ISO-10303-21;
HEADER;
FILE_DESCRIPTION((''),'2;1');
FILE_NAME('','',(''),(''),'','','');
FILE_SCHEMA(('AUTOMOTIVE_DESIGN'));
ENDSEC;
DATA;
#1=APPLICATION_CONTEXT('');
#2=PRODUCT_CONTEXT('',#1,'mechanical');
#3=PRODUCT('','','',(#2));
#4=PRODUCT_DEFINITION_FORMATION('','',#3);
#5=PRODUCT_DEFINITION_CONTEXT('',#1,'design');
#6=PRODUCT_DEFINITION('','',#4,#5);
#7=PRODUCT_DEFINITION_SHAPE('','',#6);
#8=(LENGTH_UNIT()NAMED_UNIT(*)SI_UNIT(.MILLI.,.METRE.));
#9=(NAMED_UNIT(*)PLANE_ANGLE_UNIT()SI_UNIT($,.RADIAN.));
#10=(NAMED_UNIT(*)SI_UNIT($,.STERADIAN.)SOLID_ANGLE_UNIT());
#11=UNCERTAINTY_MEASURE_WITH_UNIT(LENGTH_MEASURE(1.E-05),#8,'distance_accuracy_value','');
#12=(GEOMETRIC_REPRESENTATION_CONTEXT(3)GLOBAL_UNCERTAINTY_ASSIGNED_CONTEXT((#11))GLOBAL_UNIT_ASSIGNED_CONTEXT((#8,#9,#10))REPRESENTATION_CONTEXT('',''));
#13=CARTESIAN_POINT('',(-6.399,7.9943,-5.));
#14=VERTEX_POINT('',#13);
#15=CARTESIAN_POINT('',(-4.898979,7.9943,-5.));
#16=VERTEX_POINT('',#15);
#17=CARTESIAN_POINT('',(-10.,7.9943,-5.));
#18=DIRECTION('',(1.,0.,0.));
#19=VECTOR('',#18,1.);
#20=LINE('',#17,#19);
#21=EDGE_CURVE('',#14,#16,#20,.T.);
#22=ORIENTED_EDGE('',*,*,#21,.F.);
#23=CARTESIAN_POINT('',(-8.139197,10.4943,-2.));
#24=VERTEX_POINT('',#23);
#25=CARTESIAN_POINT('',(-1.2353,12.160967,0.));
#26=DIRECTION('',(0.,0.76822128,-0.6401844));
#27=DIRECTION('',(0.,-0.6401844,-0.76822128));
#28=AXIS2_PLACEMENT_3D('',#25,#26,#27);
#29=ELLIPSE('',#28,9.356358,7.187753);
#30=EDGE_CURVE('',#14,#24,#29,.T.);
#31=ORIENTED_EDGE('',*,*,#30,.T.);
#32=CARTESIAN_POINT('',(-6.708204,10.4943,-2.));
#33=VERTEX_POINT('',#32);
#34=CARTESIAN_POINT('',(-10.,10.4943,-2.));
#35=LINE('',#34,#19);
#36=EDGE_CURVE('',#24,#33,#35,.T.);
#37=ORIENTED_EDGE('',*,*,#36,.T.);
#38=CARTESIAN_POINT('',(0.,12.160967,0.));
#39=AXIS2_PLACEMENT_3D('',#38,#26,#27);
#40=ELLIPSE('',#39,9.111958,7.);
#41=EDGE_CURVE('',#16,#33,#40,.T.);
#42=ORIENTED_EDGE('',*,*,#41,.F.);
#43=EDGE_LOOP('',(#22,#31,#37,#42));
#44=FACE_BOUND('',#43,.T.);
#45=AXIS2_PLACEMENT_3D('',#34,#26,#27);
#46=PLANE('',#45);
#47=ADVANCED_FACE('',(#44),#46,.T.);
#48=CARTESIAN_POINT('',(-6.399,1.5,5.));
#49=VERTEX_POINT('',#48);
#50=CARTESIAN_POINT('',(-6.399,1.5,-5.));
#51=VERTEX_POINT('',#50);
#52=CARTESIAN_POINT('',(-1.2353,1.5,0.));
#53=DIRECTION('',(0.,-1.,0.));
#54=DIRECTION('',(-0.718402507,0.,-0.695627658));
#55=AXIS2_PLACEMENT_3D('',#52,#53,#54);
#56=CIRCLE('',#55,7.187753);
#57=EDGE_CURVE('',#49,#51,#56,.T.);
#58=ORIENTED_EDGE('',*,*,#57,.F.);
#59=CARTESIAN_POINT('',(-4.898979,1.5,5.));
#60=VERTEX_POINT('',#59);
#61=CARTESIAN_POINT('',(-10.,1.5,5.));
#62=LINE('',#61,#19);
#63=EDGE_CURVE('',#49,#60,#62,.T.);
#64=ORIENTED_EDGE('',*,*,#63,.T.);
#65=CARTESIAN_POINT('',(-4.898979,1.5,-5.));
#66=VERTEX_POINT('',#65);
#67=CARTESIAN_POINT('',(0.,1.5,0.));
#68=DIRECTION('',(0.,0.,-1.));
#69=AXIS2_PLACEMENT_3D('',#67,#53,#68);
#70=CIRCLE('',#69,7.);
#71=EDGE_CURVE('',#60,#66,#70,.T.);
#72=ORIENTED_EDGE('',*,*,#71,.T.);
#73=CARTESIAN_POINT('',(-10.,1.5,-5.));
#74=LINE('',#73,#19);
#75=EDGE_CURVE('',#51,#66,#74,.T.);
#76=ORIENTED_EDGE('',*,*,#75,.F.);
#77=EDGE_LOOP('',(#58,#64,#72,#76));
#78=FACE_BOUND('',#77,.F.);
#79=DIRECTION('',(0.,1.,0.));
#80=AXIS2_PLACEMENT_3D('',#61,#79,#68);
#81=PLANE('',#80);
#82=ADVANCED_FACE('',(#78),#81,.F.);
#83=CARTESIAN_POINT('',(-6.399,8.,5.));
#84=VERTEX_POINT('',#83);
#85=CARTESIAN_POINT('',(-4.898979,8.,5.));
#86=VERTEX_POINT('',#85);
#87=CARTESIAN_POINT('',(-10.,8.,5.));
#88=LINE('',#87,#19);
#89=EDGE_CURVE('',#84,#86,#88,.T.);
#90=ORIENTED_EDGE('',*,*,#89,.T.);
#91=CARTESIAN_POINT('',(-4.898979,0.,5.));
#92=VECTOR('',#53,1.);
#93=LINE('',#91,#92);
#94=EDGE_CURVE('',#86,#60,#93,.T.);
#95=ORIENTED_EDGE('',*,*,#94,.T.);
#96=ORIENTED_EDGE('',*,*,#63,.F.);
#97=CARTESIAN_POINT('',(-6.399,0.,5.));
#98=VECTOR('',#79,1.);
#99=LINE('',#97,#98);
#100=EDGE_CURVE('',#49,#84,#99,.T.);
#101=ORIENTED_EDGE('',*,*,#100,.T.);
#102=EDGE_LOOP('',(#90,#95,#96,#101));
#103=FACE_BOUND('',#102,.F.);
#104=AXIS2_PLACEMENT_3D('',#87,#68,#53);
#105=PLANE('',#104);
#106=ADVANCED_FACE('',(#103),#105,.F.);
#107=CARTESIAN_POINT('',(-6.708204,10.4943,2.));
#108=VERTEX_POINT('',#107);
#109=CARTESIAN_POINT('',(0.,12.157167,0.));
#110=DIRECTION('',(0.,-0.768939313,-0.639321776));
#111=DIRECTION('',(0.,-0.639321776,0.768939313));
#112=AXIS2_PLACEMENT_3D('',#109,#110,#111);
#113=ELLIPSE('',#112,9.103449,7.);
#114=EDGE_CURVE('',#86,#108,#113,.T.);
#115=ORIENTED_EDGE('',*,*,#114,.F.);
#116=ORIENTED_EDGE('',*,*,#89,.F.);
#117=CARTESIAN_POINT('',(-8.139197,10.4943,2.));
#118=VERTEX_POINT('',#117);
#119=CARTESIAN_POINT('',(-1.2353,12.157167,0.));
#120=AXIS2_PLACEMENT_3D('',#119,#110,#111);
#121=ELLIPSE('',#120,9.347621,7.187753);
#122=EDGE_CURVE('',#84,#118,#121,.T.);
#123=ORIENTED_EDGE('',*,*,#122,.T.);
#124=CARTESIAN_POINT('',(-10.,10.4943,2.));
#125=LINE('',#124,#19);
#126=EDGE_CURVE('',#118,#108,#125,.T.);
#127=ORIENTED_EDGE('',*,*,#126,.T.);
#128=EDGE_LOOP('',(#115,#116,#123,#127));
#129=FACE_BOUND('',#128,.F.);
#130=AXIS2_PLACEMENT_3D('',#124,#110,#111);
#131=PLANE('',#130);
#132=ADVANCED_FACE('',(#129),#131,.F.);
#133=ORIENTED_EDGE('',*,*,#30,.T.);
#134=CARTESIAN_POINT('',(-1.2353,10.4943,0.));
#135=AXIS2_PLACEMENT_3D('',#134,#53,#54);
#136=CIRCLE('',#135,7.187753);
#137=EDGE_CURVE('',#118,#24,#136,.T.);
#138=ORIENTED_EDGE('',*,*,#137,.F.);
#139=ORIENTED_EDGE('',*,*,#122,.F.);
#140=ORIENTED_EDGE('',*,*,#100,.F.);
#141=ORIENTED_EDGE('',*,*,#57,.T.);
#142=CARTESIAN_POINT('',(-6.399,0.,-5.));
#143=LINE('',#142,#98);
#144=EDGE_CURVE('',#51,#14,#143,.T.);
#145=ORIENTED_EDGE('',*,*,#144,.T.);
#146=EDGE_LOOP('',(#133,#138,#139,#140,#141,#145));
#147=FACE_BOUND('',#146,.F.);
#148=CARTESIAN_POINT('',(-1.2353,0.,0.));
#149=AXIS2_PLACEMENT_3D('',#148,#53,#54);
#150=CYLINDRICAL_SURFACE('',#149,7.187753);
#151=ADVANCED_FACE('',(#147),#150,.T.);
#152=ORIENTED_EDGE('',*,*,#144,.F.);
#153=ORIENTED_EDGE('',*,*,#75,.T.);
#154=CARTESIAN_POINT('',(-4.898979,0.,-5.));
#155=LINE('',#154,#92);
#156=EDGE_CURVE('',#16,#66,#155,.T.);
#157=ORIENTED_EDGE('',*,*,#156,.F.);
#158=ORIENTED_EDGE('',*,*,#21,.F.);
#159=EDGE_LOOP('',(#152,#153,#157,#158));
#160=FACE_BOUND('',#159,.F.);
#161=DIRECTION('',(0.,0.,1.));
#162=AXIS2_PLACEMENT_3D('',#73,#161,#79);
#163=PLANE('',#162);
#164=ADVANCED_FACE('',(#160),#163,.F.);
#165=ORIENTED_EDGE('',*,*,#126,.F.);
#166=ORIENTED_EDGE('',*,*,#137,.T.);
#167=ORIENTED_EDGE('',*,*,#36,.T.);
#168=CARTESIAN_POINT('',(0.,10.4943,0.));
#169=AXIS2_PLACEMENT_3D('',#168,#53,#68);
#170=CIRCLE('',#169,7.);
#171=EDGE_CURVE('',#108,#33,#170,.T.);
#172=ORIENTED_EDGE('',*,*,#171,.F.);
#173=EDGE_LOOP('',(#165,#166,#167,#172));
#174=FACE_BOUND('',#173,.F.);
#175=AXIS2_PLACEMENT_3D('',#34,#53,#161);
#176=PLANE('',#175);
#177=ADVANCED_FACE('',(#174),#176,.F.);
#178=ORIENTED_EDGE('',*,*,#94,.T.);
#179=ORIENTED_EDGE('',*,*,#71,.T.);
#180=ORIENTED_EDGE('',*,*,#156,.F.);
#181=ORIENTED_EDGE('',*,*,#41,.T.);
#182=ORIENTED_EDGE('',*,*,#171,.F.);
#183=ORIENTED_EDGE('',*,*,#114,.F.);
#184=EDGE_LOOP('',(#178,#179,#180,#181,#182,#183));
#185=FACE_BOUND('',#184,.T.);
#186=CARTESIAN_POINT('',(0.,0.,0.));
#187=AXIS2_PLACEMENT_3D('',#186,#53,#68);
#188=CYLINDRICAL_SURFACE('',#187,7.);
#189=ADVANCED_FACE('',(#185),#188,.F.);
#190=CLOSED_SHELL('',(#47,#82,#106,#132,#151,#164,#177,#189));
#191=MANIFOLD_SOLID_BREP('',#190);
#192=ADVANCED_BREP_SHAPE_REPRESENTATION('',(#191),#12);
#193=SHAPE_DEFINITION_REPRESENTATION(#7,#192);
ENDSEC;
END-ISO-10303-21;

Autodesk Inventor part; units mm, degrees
ref_plane "YZ Plane" through (0, 0, 0) normal (1, 0, 0) x (0, 1, 0)
ref_plane "XZ Plane" through (0, 0, 0) normal (0, 1, 0) x (-1, 0, 0)
ref_plane "XY Plane" through (0, 0, 0) normal (0, 0, 1) x (1, 0, 0)
sketch "Sketch1" plane through (0, 0, 0) normal (0, 1, 0) x (-1, 0, 0)
  arc A0 (0, -7) -> (0, 7) centre (0, 0) ccw
  line L0 (0, 7) -> (0, -7)
  dimension "d0" = 14
extrude "Extrusion1" add sketch "Sketch1" along normal blind 12
ref_plane "Work Plane1" through (-10, 0, 7) normal (1, 0, 0) x (0, 0, -1)
sketch "Sketch2" plane through (-10, 0, 7) normal (1, 0, 0) x (0, 0, -1)
  line L0 (2, 8) -> (2, 1.5)
  line L1 (2, 1.5) -> (12, 1.5)
  line L2 (12, 1.5) -> (12, 7.9943)
  line L3 (9, 10.4943) -> (5, 10.4943)
  line L4 (9, 10.4943) -> (12, 7.9943)
  line L5 (5, 10.4943) -> (2, 8)
  line L6 (14, 0) -> (14, 12) projected
  point P0 (7, 0)
  dimension "d9" = 10
  dimension "d10" = 6.5
  dimension "d12" = 4
  dimension "d14" = 3
  dimension "d15" = 3
  dimension "d24" = 2
extrude "Extrusion2" add sketch "Sketch2" along normal blind 10
sketch "Sketch7" plane through (0, 0, 0) normal (0, 1, 0) x (-1, 0, 0)
  arc A0 (0, -7) -> (0, 7) centre (0, 0) ccw
  line L0 (0, 7) -> (0, -7)
  line L1 (0, -7) -> (0, 7)
  dimension "d40" = 7
extrude "Extrusion7" cut sketch "Sketch7" along normal through all
sketch "Sketch9" plane through (0, 0, 0) normal (0, 1, 0) x (-1, 0, 0)
  arc A0 (6.399, -5) -> (6.399, 5) centre (1.2353, 0) ccw
  arc A1 (6.399, -5) -> (6.399, 5) centre (10.7308, 0) ccw
  point P0 (0, 0)
extrude "Extrusion9" cut sketch "Sketch9" along normal through all both and the other way through all
properties part number "14mm_radius_mold_with_crystal_skull"
